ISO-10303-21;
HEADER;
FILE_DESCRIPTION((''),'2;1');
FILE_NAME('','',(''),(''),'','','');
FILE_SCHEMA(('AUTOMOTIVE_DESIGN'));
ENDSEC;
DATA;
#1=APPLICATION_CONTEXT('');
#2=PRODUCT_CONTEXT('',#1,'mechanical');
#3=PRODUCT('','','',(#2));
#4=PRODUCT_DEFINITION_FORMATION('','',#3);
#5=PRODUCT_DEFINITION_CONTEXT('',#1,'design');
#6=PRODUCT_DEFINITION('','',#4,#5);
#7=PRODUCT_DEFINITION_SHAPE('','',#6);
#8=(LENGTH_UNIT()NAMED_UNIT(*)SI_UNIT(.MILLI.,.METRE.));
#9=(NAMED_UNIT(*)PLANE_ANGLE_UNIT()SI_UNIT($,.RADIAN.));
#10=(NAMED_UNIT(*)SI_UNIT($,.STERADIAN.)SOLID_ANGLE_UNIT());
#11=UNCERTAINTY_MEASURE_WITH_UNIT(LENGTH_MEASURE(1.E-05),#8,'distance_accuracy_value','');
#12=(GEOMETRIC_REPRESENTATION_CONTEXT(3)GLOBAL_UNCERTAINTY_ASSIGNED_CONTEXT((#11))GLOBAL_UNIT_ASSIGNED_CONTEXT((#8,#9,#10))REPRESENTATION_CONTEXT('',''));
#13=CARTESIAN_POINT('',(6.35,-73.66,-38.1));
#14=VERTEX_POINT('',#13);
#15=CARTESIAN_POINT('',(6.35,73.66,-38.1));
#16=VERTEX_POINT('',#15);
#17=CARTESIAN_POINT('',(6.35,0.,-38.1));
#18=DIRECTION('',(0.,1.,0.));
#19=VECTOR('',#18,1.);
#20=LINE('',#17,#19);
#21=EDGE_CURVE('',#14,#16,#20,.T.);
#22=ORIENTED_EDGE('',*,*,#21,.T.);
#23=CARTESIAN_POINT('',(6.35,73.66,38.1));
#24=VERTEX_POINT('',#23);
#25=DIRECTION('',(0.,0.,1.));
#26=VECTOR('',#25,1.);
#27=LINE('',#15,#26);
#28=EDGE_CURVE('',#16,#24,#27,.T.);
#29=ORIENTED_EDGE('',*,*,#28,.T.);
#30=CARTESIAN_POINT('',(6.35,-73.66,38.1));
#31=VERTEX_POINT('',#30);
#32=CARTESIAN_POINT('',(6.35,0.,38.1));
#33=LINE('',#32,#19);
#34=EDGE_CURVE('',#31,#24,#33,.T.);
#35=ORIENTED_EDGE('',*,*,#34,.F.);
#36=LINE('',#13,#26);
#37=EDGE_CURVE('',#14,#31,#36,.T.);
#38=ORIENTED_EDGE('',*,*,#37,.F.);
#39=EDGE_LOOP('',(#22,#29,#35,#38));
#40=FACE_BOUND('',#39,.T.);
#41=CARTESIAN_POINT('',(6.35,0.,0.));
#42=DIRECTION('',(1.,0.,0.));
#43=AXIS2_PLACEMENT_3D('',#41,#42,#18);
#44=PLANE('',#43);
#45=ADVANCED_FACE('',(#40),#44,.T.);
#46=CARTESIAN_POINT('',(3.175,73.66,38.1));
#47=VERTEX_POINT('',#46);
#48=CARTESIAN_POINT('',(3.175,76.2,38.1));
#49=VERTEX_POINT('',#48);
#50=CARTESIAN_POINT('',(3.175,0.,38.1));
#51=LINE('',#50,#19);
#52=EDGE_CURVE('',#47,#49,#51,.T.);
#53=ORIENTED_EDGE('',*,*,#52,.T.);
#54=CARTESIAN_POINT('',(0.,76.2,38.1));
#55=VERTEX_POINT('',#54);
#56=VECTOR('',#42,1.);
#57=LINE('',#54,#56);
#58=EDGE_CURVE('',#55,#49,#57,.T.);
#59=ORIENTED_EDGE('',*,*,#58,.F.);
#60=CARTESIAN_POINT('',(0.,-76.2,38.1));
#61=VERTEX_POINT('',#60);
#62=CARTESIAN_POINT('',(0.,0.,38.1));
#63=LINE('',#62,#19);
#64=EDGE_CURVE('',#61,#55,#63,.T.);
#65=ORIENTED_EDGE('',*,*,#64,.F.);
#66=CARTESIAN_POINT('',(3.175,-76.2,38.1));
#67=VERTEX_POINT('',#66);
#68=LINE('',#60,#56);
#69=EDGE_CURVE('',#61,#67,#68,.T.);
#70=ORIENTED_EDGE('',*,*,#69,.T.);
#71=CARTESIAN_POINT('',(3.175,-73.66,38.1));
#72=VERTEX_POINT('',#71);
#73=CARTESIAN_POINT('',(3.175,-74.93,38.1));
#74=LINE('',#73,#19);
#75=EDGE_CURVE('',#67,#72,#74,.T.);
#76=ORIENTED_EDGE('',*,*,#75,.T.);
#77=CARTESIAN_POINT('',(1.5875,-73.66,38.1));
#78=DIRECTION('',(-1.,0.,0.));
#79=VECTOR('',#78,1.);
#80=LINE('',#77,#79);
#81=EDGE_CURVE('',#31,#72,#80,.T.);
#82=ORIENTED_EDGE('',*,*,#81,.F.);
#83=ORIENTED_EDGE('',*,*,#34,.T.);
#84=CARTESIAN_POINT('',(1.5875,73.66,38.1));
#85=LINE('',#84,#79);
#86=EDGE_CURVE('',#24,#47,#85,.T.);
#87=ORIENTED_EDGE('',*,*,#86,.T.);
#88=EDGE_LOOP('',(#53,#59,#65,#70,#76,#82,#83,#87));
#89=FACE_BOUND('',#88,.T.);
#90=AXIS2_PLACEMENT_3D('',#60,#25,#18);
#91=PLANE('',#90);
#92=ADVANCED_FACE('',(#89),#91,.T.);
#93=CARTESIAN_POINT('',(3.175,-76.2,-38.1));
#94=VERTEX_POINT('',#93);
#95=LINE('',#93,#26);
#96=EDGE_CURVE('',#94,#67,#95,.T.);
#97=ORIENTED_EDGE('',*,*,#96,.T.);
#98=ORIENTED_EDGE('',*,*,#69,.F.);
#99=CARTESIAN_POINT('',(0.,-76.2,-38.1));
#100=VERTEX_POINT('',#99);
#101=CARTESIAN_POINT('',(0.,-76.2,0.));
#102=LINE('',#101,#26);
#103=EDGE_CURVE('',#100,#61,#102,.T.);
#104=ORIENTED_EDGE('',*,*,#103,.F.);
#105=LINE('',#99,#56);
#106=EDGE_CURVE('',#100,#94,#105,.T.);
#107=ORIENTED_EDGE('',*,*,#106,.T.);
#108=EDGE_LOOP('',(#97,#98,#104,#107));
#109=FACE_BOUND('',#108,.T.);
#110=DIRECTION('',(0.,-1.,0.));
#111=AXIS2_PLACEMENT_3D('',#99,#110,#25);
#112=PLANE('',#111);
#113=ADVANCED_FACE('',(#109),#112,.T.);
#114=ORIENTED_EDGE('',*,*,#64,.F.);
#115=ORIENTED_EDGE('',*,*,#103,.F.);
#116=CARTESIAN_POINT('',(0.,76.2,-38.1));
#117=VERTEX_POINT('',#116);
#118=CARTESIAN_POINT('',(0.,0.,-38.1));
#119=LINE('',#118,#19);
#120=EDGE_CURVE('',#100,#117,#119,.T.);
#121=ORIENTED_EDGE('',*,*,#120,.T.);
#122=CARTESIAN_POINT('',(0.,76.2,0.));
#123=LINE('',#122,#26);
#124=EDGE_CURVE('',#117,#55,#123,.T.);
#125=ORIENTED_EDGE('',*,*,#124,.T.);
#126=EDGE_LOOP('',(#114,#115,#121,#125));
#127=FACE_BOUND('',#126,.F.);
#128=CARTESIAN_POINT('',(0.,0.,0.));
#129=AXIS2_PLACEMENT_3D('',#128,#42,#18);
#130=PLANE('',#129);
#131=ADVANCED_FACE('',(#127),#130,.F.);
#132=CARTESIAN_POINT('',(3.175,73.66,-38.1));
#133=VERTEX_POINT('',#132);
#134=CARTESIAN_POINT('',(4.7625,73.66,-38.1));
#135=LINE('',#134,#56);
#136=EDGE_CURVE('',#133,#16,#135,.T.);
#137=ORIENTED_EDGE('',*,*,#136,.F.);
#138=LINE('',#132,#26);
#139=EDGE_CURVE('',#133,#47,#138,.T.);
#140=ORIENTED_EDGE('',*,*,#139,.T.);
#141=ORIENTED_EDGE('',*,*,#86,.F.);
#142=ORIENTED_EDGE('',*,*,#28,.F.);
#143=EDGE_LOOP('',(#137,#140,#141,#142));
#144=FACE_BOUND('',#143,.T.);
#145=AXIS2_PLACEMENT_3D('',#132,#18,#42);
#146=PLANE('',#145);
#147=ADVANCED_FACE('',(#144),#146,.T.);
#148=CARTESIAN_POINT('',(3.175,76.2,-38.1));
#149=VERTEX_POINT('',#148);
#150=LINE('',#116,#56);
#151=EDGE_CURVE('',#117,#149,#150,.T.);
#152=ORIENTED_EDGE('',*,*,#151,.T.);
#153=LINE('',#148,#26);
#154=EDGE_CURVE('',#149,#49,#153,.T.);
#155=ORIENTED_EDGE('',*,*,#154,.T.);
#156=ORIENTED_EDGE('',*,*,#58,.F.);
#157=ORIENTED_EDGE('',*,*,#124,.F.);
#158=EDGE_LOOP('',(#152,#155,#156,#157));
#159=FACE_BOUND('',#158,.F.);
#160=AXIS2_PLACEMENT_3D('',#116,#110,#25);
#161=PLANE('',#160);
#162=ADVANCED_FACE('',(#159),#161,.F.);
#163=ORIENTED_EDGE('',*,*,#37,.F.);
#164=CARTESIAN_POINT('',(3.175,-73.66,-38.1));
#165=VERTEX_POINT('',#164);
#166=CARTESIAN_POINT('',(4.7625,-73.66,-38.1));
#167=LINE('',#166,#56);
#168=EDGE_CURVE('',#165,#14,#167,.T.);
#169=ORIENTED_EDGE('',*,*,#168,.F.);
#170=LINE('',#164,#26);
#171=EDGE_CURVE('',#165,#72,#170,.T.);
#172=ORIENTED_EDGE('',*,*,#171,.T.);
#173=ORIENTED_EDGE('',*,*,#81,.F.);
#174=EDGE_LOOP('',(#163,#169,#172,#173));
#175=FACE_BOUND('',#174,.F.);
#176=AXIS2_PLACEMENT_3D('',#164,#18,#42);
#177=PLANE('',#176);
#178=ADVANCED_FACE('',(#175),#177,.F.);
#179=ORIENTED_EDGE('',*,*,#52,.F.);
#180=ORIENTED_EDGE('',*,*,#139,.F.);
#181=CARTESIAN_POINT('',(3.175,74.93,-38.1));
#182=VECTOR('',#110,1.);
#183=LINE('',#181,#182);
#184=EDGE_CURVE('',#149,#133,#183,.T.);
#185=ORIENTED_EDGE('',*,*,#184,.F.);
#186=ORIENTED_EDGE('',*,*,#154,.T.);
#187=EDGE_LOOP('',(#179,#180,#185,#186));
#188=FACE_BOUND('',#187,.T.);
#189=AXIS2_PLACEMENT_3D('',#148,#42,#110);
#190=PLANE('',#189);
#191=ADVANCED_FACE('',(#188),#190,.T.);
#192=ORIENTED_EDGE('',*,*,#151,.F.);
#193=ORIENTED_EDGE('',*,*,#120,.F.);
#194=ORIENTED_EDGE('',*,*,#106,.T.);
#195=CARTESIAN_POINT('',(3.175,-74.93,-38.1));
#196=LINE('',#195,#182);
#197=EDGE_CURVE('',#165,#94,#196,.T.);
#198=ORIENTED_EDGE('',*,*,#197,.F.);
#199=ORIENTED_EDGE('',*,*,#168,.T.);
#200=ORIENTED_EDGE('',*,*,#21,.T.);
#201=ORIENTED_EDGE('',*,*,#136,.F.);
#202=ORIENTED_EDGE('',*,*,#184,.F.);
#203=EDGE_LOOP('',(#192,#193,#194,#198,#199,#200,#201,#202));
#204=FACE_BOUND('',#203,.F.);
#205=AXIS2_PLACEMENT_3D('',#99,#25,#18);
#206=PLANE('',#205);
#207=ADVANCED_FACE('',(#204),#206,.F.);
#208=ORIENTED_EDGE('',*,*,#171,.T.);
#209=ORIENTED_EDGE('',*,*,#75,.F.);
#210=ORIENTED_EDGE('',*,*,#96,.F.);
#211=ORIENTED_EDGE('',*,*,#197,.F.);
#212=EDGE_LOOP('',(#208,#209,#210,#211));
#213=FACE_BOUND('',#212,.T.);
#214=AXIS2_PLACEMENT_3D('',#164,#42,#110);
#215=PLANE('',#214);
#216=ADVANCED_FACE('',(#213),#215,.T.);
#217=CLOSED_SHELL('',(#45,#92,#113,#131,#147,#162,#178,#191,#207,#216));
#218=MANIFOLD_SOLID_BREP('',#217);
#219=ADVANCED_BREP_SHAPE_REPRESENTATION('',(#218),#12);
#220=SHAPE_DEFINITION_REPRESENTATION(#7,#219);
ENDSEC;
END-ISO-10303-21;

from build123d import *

# Parameters (mm, degrees)
F0_W     = 152.4
F0_H     = 76.2
F1_DEPTH = 6.35
F2_W     = 3.175
F2_H     = 2.54
F3_DEPTH = 152.4
F4_W     = 3.175
F4_H     = 2.54
F5_DEPTH = 152.4


with BuildPart() as f1:
    # F0 (on Right) → F1 (new body)
    with BuildSketch(Plane.YZ):
        Rectangle(F0_W, F0_H)
    extrude(amount=F1_DEPTH)

    # F2 (on face) → F3 (cut)
    with BuildSketch(Plane(origin=(0, 0, -38.1), x_dir=(1, 0, 0), z_dir=(0, 0, -1))):
        with Locations((4.7625, 74.93)):
            Rectangle(F2_W, F2_H)
    extrude(amount=-F3_DEPTH, mode=Mode.SUBTRACT)

    # F4 (on face) → F5 (cut)
    with BuildSketch(Plane(origin=(0, 0, -38.1), x_dir=(1, 0, 0), z_dir=(0, 0, -1))):
        with Locations((4.7625, -74.93)):
            Rectangle(F4_W, F4_H)
    extrude(amount=-F5_DEPTH, mode=Mode.SUBTRACT)


solid = f1.part
